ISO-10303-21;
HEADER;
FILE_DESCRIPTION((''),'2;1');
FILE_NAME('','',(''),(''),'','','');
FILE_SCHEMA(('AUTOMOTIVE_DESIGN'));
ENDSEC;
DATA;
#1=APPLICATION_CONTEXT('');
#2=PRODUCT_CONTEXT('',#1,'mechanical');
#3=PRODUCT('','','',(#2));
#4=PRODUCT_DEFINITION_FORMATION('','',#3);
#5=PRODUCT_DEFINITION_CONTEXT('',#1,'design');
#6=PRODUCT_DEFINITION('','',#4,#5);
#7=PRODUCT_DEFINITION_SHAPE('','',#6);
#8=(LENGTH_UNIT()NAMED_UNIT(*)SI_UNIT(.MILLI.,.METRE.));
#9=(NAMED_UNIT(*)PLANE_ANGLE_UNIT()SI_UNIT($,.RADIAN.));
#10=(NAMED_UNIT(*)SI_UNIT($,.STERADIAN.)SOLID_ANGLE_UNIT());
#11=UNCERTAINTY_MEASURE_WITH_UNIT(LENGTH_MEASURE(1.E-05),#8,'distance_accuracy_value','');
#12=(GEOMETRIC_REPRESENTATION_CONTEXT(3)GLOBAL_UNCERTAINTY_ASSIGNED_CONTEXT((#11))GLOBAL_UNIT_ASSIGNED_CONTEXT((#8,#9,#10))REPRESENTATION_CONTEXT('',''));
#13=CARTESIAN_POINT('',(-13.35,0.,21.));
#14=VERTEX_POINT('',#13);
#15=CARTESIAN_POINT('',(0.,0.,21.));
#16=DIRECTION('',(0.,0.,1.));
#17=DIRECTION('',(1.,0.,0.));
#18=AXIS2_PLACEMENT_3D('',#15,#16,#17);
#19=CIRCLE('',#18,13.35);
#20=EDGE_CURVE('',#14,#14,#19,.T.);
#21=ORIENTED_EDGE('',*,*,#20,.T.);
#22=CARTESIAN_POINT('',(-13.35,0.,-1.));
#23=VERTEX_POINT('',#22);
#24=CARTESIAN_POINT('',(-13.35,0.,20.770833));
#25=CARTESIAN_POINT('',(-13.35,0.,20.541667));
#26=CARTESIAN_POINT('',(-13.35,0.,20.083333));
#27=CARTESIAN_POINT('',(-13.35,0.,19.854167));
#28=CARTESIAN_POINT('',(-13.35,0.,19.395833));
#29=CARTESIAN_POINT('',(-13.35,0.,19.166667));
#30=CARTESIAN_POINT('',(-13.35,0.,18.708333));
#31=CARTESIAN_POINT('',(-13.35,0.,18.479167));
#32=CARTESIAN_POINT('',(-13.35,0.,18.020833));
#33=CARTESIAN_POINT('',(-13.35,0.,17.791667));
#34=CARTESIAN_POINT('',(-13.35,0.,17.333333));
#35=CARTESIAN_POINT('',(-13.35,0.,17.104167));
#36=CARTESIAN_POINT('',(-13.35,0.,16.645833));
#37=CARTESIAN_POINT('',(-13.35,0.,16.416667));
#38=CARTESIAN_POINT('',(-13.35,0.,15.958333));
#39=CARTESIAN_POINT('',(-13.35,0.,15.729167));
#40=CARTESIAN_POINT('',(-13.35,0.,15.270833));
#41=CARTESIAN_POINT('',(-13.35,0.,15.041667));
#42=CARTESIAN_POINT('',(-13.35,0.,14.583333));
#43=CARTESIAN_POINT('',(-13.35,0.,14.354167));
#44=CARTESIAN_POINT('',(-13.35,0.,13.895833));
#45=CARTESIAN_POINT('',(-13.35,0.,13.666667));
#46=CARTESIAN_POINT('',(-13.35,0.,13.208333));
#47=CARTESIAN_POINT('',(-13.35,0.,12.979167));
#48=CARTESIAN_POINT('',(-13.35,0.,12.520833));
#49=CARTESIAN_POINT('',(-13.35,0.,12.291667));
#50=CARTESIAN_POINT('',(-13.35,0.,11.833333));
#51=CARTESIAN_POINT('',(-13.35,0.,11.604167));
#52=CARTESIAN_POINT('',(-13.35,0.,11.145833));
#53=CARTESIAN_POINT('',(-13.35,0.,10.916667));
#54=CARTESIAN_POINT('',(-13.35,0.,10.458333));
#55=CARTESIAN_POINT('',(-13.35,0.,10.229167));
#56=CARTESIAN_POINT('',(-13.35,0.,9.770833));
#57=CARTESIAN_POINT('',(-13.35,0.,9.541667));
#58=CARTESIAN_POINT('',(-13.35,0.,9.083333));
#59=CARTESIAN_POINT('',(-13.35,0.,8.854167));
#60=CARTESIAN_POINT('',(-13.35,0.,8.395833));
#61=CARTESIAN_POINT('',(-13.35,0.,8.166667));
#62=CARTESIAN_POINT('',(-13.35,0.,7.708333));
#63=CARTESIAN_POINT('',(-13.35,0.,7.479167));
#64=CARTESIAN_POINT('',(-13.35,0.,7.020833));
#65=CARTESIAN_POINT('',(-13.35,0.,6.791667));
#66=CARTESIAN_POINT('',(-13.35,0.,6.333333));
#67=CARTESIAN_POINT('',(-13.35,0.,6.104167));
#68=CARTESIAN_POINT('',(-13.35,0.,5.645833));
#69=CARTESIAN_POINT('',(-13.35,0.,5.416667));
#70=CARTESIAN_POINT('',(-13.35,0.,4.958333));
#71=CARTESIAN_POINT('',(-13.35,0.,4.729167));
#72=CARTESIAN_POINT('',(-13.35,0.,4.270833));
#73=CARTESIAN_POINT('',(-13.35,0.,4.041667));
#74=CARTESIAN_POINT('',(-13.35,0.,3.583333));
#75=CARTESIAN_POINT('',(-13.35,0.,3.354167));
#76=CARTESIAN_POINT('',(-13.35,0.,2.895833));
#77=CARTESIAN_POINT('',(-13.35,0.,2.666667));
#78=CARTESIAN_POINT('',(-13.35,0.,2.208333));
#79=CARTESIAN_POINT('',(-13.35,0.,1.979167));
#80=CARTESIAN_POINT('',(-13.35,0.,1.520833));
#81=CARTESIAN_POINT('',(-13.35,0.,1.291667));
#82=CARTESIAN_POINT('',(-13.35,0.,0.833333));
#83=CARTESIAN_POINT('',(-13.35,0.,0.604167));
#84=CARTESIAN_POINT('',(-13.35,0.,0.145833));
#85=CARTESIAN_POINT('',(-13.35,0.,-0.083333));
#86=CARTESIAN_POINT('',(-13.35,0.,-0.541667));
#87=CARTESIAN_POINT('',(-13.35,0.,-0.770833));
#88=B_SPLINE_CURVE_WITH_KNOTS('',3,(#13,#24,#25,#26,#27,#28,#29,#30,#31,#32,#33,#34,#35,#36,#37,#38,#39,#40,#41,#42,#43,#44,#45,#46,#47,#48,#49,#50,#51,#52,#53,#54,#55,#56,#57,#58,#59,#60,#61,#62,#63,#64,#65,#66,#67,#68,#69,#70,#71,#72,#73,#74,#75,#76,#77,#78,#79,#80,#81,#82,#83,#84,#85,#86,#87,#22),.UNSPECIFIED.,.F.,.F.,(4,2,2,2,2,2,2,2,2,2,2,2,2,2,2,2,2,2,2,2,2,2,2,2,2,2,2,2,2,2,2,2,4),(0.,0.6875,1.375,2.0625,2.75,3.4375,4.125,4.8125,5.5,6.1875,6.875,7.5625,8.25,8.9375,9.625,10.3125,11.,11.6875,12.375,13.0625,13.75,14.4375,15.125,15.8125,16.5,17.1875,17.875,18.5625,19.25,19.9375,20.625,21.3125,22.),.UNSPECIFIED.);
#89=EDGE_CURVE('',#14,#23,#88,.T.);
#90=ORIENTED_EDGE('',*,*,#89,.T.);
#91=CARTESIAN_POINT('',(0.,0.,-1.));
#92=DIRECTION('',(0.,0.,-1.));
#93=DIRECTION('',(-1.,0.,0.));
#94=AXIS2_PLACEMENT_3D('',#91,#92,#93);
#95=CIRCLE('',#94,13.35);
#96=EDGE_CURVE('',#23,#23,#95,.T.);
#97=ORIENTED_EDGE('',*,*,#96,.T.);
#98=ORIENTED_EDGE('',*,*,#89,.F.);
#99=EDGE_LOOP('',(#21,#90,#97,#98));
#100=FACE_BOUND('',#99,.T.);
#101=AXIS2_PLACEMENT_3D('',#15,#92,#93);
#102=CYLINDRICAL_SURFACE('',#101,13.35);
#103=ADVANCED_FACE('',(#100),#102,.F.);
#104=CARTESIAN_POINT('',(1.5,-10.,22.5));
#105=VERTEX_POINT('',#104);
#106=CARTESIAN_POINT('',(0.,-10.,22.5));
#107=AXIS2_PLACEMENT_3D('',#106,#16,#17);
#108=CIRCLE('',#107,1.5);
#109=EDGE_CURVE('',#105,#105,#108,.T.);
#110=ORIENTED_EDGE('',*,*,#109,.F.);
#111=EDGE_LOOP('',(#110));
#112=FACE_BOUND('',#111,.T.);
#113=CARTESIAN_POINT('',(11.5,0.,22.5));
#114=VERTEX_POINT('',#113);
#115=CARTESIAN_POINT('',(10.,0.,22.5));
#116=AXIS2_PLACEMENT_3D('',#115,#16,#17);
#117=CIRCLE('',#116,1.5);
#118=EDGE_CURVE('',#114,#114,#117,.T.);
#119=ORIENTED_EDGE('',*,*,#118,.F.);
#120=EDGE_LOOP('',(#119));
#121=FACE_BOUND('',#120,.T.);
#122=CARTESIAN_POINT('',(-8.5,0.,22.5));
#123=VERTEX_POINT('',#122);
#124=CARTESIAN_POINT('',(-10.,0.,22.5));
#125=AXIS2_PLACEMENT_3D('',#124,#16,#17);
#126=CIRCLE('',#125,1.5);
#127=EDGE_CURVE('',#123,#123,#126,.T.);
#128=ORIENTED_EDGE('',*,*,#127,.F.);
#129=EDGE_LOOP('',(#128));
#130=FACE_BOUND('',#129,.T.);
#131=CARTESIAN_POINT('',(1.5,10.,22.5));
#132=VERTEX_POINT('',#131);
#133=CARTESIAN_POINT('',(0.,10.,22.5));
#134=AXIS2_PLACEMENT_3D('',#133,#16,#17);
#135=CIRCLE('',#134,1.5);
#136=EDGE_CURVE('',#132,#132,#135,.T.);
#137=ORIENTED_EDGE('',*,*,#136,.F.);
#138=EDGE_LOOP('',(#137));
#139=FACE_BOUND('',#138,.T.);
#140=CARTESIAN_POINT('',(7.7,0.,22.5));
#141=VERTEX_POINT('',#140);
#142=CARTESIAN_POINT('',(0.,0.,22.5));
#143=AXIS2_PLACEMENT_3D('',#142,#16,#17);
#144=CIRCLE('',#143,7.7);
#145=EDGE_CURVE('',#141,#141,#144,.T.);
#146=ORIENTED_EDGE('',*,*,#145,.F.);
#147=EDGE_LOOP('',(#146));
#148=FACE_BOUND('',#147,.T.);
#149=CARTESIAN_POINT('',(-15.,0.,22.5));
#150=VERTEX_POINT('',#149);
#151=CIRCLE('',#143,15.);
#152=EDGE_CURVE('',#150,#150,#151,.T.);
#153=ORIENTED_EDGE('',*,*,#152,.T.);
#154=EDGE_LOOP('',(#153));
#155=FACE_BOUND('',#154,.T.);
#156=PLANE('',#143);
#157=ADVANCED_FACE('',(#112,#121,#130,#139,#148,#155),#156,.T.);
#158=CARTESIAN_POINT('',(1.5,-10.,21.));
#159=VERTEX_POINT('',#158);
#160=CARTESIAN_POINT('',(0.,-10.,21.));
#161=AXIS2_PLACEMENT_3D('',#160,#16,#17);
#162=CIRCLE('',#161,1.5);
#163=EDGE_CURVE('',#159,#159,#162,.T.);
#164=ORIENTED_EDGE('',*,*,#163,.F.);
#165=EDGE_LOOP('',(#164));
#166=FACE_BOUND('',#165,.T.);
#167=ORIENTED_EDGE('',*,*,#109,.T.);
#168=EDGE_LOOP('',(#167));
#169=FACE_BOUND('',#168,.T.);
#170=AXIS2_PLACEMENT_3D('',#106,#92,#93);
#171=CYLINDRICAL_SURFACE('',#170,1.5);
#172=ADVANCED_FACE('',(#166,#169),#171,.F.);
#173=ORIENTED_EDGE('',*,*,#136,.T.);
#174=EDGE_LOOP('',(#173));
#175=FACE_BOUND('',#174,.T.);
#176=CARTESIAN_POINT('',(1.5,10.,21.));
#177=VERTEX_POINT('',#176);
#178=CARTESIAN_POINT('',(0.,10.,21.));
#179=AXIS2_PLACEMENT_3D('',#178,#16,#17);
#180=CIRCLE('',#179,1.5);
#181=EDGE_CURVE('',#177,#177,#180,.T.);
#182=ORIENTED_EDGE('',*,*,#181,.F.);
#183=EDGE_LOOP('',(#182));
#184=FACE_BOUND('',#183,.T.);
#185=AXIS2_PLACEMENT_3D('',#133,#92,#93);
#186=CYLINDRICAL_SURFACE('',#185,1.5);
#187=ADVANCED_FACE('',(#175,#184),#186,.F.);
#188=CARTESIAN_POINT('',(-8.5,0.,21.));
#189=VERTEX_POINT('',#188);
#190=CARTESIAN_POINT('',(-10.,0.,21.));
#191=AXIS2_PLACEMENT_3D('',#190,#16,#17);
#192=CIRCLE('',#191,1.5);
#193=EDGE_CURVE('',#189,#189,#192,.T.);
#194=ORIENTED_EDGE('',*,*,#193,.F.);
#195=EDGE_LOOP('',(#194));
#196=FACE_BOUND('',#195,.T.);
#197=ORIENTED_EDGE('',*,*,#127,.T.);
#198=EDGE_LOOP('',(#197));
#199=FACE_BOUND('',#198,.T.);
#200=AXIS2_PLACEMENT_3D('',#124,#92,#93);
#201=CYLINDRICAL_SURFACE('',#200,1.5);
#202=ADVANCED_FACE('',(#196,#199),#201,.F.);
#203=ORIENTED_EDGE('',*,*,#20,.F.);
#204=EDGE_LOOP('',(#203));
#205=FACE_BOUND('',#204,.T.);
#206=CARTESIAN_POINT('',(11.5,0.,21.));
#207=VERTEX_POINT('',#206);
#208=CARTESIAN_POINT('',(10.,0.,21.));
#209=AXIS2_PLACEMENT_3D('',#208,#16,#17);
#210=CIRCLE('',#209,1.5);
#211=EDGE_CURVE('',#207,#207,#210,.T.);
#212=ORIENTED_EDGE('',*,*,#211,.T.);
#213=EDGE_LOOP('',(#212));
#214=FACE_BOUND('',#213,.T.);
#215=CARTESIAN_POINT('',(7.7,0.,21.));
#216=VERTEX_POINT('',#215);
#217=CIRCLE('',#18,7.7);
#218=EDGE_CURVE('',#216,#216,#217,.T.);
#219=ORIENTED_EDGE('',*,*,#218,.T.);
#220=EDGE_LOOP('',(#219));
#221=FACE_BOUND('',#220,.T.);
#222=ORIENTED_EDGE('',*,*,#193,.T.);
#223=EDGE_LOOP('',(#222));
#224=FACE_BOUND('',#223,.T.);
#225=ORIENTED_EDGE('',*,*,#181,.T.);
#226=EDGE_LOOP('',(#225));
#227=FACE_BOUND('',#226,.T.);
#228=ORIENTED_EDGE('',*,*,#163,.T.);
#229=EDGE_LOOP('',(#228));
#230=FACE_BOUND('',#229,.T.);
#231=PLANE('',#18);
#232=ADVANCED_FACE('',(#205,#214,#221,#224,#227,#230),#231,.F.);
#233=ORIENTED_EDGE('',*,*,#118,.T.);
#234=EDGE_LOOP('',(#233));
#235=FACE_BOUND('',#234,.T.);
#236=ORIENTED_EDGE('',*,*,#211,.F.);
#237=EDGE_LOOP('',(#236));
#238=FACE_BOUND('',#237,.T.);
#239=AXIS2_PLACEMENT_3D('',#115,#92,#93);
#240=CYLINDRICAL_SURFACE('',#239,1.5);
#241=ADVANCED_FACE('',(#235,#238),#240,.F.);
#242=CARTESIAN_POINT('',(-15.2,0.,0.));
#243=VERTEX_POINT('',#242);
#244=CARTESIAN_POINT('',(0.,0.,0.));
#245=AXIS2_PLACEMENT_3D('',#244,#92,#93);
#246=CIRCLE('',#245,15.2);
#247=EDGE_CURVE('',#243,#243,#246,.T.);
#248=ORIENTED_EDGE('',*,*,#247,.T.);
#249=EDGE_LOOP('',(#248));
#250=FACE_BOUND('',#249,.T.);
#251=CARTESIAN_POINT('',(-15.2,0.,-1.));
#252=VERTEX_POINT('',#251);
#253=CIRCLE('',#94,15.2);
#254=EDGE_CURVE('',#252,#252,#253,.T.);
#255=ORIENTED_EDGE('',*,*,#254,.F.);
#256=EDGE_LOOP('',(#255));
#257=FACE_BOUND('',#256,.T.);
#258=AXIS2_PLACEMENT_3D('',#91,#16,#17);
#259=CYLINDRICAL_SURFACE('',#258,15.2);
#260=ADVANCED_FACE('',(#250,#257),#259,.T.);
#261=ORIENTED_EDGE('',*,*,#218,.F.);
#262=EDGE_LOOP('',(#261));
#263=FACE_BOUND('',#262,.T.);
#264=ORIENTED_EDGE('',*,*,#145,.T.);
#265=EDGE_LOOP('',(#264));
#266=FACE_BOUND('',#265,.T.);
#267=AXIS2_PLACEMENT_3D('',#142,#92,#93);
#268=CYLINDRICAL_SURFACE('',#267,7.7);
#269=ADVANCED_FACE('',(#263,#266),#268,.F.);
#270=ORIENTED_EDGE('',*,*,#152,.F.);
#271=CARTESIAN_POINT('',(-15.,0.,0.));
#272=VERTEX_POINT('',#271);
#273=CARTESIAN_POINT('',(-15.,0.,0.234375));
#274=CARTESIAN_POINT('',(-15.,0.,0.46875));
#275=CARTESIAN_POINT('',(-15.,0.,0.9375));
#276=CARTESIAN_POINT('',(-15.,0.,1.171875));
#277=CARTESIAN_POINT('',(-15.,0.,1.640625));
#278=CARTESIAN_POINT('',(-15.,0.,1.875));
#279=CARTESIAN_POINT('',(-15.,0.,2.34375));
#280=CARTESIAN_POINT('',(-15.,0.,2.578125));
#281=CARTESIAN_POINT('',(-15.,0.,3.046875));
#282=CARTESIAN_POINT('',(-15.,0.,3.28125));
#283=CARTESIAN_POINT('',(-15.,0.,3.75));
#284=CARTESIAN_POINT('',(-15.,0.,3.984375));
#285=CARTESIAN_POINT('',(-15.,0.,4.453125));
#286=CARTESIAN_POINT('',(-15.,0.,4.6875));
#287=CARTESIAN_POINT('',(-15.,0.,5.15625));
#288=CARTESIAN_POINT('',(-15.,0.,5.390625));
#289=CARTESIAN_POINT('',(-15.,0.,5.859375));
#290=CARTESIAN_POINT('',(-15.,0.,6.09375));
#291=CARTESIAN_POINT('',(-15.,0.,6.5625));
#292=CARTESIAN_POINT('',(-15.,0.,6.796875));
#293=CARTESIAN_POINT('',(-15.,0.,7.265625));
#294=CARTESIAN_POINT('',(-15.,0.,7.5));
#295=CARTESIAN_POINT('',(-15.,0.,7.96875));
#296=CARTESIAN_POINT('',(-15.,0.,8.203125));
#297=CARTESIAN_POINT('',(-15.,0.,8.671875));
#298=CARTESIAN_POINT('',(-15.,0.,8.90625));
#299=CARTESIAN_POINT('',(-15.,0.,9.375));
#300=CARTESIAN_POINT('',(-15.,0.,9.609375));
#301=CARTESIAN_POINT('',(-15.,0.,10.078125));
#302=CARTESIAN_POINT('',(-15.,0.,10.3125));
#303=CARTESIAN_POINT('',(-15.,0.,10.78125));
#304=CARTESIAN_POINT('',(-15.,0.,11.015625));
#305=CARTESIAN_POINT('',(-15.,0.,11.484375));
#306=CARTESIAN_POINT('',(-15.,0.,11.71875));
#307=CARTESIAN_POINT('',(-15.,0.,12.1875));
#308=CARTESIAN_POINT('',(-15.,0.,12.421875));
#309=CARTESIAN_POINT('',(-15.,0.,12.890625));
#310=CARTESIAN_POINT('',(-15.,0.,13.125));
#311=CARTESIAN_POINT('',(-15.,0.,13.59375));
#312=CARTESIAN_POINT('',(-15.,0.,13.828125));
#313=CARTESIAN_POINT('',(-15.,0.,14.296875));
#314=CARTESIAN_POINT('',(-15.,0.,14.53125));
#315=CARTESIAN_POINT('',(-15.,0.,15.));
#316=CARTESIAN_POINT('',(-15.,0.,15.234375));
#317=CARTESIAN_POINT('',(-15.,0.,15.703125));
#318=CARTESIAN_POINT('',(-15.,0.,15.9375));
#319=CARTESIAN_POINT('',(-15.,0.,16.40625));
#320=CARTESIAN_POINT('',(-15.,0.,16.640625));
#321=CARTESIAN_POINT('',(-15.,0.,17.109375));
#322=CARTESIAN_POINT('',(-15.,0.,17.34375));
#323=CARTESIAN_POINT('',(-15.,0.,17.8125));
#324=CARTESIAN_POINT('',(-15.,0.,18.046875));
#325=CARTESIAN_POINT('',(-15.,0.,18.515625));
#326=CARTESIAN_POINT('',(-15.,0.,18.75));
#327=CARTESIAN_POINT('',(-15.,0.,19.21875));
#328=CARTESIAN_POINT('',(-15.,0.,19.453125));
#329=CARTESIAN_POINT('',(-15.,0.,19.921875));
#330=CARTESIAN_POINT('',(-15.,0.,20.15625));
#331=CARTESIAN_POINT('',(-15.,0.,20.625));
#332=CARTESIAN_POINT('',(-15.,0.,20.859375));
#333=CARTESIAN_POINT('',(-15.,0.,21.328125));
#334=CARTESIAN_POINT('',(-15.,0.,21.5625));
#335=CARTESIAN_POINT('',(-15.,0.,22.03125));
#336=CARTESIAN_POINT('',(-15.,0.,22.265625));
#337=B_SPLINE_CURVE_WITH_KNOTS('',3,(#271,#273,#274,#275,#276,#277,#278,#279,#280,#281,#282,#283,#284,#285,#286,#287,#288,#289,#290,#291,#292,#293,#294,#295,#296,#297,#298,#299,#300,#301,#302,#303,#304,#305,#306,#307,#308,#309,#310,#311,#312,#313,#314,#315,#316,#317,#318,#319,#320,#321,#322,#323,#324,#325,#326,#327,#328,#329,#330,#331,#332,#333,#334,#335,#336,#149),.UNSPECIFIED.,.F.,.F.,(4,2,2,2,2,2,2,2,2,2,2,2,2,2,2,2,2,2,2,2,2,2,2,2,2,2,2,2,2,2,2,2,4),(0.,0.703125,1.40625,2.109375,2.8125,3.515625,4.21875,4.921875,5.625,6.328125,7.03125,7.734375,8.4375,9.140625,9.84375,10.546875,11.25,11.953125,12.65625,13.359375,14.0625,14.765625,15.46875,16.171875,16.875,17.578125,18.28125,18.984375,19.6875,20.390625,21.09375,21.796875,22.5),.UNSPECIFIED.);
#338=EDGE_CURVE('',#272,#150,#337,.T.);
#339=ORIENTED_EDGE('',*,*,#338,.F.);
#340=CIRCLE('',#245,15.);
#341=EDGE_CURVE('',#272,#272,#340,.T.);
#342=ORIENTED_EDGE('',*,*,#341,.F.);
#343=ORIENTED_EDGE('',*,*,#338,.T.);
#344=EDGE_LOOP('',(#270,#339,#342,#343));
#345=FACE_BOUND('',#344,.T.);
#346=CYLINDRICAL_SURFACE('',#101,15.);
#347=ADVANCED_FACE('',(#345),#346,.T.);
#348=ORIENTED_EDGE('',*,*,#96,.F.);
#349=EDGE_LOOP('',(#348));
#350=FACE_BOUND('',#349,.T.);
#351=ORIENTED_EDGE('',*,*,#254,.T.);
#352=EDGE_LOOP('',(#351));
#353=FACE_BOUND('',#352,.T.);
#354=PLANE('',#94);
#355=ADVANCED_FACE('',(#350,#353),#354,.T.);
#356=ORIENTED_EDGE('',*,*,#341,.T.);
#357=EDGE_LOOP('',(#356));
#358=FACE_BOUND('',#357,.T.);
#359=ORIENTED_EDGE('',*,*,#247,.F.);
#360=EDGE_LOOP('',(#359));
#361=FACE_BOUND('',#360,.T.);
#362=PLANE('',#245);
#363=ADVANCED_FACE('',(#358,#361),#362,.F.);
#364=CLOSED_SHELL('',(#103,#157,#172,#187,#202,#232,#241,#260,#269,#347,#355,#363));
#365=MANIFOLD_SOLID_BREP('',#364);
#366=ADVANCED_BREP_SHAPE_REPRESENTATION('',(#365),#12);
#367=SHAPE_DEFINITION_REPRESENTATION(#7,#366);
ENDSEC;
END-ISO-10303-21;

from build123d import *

# Parameters (mm, degrees)
ESQUISSE1_R        = 15
ESQUISSE1_R_2      = 13.35
BOSS_EXTRU_1_DEPTH = 21
BOSS_EXTRU_2_START = 1
ESQUISSE2_R        = 15.2
ESQUISSE2_R_2      = 13.35
BOSS_EXTRU_2_DEPTH = 1
ESQUISSE3_R        = 15
ESQUISSE3_R_2      = 7.7
ESQUISSE3_R_3      = 1.5
BOSS_EXTRU_3_DEPTH = 1.5


with BuildPart() as part:
    # Esquisse1 → Boss.-Extru.1 (new body)
    with BuildSketch(Plane.XY):
        with Locations(Location((0, 0, 0), (0, 0, 180))):
            Circle(ESQUISSE1_R)
        with Locations(Location((0, 0, 0), (0, 0, 180))):
            Circle(ESQUISSE1_R_2, mode=Mode.SUBTRACT)
    extrude(amount=BOSS_EXTRU_1_DEPTH)

    # Esquisse2 → Boss.-Extru.2 (add)
    with BuildSketch(Plane(origin=(0, 0, 0), x_dir=(-1, 0, 0), z_dir=(0, 0, -1)).offset(BOSS_EXTRU_2_START)):
        Circle(ESQUISSE2_R)
        Circle(ESQUISSE2_R_2, mode=Mode.SUBTRACT)
    extrude(amount=-BOSS_EXTRU_2_DEPTH)

    # Esquisse3 → Boss.-Extru.3 (add)
    with BuildSketch(Plane.XY.offset(21)):
        with Locations(Location((0, 0, 0), (0, 0, 180))):
            Circle(ESQUISSE3_R)
        Circle(ESQUISSE3_R_2, mode=Mode.SUBTRACT)
        with Locations((0, -10)):
            Circle(ESQUISSE3_R_3, mode=Mode.SUBTRACT)
        with Locations((0, 10)):
            Circle(ESQUISSE3_R_3, mode=Mode.SUBTRACT)
        with Locations((-10, 0)):
            Circle(ESQUISSE3_R_3, mode=Mode.SUBTRACT)
        with Locations((10, 0)):
            Circle(ESQUISSE3_R_3, mode=Mode.SUBTRACT)
    extrude(amount=BOSS_EXTRU_3_DEPTH)


solid = part.part
